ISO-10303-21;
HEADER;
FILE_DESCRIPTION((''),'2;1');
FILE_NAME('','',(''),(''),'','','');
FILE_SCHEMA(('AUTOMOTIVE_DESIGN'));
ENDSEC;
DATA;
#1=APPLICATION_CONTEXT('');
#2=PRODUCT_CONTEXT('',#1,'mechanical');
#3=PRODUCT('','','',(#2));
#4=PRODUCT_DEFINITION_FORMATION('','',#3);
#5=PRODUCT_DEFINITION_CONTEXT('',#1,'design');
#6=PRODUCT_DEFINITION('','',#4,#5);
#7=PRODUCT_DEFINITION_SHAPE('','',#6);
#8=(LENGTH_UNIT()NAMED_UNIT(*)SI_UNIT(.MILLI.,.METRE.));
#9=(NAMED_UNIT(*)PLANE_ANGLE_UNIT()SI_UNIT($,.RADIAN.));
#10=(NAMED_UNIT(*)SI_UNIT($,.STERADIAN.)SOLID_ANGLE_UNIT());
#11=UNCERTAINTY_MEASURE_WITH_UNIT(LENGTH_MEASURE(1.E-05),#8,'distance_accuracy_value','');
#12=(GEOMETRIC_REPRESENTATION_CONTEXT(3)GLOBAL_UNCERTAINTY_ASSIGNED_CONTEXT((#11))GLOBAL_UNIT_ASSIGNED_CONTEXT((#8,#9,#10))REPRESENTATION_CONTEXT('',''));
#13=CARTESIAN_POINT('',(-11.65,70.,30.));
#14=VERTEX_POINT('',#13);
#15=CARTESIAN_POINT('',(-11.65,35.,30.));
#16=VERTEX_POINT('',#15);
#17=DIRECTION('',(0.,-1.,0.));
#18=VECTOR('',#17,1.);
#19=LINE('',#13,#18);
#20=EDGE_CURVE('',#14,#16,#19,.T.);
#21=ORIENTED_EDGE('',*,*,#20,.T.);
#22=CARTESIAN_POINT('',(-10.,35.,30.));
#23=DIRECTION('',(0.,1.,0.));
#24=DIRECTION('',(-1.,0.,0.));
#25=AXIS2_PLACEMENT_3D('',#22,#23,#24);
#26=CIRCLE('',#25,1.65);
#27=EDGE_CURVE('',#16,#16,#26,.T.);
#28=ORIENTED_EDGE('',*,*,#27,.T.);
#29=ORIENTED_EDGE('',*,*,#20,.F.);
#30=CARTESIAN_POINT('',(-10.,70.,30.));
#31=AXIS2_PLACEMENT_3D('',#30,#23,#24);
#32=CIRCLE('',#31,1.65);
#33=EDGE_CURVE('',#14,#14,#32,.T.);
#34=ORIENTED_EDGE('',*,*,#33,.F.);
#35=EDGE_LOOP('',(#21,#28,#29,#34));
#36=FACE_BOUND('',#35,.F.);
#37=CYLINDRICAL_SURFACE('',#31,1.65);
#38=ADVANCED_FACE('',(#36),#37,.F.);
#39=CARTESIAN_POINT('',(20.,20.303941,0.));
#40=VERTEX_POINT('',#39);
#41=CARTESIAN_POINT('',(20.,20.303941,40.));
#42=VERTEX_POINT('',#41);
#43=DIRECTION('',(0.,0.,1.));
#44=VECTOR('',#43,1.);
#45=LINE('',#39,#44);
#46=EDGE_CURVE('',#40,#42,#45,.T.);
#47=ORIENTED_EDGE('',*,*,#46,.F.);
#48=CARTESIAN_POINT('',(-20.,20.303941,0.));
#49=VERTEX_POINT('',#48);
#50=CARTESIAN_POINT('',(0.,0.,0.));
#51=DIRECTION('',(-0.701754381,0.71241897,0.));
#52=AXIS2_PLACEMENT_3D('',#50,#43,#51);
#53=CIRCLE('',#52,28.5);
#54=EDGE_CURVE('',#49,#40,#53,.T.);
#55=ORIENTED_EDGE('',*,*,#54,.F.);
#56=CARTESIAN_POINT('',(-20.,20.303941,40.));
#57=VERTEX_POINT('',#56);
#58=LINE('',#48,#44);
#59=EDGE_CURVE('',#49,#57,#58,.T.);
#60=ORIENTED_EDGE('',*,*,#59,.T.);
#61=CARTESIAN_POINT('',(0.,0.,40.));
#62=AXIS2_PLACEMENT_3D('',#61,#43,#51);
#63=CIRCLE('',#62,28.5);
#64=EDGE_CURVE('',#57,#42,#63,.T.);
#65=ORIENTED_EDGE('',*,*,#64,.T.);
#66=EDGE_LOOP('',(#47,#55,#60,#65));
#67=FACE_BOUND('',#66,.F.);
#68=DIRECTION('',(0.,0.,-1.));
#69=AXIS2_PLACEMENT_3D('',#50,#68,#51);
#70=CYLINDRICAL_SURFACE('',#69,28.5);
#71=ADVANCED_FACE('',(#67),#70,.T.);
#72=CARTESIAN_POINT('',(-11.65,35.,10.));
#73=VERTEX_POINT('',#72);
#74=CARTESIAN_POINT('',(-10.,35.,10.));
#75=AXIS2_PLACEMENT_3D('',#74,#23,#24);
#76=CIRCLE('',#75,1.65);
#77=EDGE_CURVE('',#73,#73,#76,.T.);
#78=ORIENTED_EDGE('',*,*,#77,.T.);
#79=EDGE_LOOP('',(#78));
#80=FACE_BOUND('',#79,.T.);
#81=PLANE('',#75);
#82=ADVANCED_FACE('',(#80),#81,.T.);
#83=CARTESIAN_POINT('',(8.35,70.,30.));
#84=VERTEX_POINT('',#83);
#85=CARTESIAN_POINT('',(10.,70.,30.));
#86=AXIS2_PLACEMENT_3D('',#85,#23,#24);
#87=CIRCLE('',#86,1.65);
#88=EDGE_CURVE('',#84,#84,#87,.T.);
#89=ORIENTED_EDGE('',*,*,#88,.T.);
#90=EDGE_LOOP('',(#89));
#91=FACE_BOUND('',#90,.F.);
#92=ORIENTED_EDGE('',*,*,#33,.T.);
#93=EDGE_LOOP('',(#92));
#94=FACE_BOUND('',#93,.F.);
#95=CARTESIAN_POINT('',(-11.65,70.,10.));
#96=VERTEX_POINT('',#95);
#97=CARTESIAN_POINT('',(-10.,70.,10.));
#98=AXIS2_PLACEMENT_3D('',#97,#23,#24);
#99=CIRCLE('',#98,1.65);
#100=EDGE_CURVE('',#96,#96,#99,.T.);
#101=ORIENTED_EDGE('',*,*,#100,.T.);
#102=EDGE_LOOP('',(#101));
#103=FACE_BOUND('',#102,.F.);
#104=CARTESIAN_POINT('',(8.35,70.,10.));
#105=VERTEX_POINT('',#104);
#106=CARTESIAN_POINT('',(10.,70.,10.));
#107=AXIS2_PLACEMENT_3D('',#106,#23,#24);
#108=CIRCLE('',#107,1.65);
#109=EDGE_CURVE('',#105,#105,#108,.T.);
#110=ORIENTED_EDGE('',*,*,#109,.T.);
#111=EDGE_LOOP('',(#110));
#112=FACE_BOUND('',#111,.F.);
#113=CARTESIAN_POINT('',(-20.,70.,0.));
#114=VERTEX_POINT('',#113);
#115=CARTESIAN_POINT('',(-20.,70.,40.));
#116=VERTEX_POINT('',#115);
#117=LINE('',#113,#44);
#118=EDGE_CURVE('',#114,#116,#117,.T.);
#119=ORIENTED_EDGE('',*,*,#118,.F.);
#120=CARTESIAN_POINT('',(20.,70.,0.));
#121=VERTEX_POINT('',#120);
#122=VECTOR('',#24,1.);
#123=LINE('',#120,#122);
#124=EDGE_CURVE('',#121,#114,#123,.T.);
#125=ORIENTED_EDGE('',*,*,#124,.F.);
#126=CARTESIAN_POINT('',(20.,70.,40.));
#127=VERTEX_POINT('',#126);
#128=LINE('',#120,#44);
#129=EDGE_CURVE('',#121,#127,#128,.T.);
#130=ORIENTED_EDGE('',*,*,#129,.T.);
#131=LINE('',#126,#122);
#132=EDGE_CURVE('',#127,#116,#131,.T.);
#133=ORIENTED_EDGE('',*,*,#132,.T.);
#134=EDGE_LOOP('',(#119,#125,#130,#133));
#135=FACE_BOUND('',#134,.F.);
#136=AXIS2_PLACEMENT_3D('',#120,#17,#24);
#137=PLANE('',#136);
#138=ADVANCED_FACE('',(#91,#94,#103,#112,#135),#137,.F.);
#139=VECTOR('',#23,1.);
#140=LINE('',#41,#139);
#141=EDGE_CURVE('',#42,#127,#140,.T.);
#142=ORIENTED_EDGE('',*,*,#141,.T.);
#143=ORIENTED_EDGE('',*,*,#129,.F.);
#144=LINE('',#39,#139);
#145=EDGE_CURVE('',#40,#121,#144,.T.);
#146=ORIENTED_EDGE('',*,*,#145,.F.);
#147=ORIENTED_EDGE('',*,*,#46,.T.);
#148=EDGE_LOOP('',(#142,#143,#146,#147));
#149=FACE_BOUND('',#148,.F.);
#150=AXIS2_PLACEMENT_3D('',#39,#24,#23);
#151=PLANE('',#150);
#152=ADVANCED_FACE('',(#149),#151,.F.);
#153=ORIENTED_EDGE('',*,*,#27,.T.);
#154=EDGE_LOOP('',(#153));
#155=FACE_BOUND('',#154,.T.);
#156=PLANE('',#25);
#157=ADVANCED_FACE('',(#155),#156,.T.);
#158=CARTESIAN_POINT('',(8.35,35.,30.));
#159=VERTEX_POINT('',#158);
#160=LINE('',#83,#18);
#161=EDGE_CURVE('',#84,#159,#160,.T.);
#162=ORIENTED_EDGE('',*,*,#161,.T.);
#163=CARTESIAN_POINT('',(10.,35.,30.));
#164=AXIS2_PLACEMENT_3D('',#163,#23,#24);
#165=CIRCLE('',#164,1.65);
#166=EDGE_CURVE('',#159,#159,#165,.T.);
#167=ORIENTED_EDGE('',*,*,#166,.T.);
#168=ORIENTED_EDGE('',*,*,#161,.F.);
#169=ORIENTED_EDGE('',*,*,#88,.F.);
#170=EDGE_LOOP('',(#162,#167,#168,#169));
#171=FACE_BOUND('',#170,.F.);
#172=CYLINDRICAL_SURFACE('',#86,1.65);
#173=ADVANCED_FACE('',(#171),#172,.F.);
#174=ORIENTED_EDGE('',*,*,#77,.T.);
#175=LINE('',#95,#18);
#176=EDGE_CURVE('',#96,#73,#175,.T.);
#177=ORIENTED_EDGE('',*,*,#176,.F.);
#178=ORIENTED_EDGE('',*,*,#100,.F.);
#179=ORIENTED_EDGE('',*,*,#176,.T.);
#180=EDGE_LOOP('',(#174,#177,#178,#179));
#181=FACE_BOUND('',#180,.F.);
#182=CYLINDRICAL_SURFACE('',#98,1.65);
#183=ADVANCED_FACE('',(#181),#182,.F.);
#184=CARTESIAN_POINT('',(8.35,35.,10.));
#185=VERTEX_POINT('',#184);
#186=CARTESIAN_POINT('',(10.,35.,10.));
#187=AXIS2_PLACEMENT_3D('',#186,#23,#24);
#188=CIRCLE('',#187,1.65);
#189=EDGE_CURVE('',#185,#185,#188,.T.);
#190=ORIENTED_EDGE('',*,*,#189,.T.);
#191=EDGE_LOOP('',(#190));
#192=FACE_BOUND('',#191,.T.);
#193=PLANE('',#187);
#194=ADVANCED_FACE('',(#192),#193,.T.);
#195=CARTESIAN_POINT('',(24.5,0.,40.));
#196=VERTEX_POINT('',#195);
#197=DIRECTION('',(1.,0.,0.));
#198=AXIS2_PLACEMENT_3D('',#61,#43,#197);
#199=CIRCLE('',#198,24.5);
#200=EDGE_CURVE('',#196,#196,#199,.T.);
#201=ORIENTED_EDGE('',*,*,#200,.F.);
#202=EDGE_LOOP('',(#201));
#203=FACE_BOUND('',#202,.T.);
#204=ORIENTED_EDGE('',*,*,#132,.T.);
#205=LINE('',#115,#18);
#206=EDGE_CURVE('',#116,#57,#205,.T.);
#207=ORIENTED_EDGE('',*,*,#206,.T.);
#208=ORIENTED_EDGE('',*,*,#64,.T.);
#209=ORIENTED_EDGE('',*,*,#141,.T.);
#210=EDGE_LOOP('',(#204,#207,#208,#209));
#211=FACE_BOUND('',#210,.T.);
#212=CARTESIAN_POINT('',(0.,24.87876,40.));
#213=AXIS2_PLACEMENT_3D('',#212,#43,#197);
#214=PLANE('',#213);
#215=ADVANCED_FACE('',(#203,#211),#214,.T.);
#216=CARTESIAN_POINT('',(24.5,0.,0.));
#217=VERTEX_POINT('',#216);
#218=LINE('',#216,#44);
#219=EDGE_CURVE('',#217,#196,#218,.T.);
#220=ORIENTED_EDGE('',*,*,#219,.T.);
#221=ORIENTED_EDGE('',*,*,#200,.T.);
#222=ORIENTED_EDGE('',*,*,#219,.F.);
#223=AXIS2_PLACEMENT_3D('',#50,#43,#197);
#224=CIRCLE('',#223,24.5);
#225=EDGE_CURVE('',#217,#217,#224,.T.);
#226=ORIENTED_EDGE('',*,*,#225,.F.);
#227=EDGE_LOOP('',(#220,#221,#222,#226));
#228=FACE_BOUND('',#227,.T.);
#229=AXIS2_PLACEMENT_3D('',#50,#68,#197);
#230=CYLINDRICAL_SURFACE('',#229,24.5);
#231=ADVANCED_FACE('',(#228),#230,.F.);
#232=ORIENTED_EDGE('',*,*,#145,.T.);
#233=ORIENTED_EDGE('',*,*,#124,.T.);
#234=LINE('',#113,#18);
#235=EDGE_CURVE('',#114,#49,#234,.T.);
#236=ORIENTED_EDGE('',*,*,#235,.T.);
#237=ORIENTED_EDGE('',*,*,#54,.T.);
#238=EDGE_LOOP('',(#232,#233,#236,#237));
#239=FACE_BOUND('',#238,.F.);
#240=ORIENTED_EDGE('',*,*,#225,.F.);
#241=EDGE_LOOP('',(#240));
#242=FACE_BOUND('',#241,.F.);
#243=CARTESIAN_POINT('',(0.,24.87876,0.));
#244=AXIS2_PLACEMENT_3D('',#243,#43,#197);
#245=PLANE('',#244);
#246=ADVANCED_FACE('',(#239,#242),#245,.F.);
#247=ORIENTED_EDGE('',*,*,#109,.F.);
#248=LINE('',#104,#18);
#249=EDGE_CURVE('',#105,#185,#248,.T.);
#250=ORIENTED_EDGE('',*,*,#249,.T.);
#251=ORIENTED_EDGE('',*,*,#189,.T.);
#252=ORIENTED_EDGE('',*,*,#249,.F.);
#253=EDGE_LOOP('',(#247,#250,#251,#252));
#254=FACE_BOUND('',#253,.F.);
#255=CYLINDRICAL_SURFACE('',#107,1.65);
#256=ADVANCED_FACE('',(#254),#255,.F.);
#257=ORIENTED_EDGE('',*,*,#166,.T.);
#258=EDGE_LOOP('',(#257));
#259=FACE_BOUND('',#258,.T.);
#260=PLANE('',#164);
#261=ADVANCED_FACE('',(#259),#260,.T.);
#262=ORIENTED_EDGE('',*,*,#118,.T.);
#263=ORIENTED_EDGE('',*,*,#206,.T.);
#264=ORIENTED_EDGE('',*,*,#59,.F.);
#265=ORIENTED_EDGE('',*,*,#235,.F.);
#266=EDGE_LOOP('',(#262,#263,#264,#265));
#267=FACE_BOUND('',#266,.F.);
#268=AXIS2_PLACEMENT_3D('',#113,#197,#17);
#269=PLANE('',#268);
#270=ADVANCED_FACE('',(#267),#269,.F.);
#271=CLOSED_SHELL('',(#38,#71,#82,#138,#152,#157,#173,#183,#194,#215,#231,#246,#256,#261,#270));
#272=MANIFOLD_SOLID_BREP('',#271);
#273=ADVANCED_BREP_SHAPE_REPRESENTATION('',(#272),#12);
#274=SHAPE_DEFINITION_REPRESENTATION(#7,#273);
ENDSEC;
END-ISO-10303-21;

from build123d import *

# Parameters (mm, degrees)
F0_R     = 24.5
F1_DEPTH = 40
F2_R     = 1.65
F3_DEPTH = 35


with BuildPart() as f1:
    # F0 (on Top) → F1 (new body)
    with BuildSketch(Plane.XY):
        with BuildLine():
            Line((20, 70), (-20, 70))
            Line((-20, 70), (-20, 20.303941))
            ThreePointArc((-20, 20.303941), (0, -28.5), (20, 20.303941))
            Line((20, 20.303941), (20, 70))
        make_face()
        Circle(F0_R, mode=Mode.SUBTRACT)
    extrude(amount=F1_DEPTH)

    # F2 (on face) → F3 (cut)
    with BuildSketch(Plane(origin=(0, 70, 0), x_dir=(-1, 0, 0), z_dir=(0, 1, 0))):
        with Locations((-10, 30)):
            Circle(F2_R)
        with Locations((10, 30)):
            Circle(F2_R)
        with Locations((10, 10)):
            Circle(F2_R)
        with Locations((-10, 10)):
            Circle(F2_R)
    extrude(amount=-F3_DEPTH, mode=Mode.SUBTRACT)


solid = f1.part
